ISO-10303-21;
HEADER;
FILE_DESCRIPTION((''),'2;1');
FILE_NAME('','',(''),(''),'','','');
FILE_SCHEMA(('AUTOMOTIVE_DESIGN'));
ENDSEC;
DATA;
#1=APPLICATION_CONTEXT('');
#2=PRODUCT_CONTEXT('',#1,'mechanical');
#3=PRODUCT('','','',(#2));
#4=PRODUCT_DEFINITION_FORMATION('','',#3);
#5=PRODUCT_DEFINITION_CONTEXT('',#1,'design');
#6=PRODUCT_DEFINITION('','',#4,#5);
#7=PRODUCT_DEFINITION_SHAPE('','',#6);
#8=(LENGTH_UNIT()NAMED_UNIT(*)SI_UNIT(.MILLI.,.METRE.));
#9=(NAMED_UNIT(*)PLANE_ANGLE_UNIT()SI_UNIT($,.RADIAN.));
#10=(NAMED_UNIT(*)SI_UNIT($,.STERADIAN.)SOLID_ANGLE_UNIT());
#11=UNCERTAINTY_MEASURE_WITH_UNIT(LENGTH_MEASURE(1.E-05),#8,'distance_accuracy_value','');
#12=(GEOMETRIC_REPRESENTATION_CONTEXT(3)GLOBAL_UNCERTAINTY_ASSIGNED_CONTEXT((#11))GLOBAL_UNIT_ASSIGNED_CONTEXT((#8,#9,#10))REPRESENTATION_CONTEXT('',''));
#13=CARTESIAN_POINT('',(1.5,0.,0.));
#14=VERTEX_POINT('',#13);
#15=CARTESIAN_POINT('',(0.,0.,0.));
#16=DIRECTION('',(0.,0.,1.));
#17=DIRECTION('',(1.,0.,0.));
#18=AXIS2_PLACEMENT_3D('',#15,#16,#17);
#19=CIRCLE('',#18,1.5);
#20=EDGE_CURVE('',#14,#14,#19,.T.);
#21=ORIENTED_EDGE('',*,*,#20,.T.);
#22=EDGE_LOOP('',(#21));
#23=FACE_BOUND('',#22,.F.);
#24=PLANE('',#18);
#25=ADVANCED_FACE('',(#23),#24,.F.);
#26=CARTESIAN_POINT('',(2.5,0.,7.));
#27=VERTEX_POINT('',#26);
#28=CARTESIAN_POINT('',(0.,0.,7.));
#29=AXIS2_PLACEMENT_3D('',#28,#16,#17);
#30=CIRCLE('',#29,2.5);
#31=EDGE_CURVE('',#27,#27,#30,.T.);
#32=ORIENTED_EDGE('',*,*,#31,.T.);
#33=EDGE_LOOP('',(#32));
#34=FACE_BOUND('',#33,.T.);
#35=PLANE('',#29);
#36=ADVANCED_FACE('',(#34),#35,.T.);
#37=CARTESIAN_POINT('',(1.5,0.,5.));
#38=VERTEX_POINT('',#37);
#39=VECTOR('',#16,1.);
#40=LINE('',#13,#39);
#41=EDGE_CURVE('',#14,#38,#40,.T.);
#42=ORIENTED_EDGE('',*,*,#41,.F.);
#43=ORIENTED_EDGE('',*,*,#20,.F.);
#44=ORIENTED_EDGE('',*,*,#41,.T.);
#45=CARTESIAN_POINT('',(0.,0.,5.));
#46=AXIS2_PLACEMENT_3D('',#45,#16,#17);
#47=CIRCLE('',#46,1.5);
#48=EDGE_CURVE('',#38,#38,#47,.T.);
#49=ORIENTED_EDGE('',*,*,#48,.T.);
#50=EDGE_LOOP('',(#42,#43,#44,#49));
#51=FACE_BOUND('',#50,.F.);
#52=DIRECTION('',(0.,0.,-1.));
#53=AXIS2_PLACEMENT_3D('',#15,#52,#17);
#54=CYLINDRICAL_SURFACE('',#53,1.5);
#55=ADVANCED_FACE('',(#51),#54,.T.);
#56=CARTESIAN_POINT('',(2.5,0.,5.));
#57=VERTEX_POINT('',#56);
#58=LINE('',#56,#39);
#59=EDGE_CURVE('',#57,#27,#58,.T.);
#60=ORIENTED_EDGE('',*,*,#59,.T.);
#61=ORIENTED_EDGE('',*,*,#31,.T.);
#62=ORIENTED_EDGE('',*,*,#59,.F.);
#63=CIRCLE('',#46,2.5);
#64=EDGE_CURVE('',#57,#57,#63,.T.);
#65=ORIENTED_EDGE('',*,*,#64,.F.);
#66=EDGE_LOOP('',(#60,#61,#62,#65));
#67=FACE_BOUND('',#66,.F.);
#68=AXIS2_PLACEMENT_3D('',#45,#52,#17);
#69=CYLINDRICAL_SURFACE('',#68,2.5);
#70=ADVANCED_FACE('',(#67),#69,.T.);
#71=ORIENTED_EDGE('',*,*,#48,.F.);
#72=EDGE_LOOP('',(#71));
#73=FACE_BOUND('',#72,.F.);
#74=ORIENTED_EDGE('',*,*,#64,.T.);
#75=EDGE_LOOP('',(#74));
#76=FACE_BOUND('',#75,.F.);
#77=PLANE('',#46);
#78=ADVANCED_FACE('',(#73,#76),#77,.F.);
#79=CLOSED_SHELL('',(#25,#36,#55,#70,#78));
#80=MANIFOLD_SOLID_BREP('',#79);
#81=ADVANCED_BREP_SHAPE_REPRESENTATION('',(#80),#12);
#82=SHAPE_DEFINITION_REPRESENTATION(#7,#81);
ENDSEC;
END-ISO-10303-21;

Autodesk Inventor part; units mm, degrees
ref_plane "YZ Plane" through (0, 0, 0) normal (1, 0, 0) x (0, 1, 0)
ref_plane "XZ Plane" through (0, 0, 0) normal (0, 1, 0) x (-1, 0, 0)
ref_plane "XY Plane" through (0, 0, 0) normal (0, 0, 1) x (1, 0, 0)
sketch "Эскиз1" plane through (0, 0, 0) normal (0, 0, 1) x (1, 0, 0)
  circle A0 centre (0, 0) radius 1.5
  dimension "d0" = 3
extrude "Выдавливание1" add sketch "Эскиз1" along normal blind 5
sketch "Эскиз2" plane through (0, 0, 5) normal (0, 0, 1) x (1, 0, 0)
  circle A0 centre (0, 0) radius 2.5
  dimension "d3" = 5
extrude "Выдавливание2" add sketch "Эскиз2" along normal blind 2
properties part number "m3x5"
